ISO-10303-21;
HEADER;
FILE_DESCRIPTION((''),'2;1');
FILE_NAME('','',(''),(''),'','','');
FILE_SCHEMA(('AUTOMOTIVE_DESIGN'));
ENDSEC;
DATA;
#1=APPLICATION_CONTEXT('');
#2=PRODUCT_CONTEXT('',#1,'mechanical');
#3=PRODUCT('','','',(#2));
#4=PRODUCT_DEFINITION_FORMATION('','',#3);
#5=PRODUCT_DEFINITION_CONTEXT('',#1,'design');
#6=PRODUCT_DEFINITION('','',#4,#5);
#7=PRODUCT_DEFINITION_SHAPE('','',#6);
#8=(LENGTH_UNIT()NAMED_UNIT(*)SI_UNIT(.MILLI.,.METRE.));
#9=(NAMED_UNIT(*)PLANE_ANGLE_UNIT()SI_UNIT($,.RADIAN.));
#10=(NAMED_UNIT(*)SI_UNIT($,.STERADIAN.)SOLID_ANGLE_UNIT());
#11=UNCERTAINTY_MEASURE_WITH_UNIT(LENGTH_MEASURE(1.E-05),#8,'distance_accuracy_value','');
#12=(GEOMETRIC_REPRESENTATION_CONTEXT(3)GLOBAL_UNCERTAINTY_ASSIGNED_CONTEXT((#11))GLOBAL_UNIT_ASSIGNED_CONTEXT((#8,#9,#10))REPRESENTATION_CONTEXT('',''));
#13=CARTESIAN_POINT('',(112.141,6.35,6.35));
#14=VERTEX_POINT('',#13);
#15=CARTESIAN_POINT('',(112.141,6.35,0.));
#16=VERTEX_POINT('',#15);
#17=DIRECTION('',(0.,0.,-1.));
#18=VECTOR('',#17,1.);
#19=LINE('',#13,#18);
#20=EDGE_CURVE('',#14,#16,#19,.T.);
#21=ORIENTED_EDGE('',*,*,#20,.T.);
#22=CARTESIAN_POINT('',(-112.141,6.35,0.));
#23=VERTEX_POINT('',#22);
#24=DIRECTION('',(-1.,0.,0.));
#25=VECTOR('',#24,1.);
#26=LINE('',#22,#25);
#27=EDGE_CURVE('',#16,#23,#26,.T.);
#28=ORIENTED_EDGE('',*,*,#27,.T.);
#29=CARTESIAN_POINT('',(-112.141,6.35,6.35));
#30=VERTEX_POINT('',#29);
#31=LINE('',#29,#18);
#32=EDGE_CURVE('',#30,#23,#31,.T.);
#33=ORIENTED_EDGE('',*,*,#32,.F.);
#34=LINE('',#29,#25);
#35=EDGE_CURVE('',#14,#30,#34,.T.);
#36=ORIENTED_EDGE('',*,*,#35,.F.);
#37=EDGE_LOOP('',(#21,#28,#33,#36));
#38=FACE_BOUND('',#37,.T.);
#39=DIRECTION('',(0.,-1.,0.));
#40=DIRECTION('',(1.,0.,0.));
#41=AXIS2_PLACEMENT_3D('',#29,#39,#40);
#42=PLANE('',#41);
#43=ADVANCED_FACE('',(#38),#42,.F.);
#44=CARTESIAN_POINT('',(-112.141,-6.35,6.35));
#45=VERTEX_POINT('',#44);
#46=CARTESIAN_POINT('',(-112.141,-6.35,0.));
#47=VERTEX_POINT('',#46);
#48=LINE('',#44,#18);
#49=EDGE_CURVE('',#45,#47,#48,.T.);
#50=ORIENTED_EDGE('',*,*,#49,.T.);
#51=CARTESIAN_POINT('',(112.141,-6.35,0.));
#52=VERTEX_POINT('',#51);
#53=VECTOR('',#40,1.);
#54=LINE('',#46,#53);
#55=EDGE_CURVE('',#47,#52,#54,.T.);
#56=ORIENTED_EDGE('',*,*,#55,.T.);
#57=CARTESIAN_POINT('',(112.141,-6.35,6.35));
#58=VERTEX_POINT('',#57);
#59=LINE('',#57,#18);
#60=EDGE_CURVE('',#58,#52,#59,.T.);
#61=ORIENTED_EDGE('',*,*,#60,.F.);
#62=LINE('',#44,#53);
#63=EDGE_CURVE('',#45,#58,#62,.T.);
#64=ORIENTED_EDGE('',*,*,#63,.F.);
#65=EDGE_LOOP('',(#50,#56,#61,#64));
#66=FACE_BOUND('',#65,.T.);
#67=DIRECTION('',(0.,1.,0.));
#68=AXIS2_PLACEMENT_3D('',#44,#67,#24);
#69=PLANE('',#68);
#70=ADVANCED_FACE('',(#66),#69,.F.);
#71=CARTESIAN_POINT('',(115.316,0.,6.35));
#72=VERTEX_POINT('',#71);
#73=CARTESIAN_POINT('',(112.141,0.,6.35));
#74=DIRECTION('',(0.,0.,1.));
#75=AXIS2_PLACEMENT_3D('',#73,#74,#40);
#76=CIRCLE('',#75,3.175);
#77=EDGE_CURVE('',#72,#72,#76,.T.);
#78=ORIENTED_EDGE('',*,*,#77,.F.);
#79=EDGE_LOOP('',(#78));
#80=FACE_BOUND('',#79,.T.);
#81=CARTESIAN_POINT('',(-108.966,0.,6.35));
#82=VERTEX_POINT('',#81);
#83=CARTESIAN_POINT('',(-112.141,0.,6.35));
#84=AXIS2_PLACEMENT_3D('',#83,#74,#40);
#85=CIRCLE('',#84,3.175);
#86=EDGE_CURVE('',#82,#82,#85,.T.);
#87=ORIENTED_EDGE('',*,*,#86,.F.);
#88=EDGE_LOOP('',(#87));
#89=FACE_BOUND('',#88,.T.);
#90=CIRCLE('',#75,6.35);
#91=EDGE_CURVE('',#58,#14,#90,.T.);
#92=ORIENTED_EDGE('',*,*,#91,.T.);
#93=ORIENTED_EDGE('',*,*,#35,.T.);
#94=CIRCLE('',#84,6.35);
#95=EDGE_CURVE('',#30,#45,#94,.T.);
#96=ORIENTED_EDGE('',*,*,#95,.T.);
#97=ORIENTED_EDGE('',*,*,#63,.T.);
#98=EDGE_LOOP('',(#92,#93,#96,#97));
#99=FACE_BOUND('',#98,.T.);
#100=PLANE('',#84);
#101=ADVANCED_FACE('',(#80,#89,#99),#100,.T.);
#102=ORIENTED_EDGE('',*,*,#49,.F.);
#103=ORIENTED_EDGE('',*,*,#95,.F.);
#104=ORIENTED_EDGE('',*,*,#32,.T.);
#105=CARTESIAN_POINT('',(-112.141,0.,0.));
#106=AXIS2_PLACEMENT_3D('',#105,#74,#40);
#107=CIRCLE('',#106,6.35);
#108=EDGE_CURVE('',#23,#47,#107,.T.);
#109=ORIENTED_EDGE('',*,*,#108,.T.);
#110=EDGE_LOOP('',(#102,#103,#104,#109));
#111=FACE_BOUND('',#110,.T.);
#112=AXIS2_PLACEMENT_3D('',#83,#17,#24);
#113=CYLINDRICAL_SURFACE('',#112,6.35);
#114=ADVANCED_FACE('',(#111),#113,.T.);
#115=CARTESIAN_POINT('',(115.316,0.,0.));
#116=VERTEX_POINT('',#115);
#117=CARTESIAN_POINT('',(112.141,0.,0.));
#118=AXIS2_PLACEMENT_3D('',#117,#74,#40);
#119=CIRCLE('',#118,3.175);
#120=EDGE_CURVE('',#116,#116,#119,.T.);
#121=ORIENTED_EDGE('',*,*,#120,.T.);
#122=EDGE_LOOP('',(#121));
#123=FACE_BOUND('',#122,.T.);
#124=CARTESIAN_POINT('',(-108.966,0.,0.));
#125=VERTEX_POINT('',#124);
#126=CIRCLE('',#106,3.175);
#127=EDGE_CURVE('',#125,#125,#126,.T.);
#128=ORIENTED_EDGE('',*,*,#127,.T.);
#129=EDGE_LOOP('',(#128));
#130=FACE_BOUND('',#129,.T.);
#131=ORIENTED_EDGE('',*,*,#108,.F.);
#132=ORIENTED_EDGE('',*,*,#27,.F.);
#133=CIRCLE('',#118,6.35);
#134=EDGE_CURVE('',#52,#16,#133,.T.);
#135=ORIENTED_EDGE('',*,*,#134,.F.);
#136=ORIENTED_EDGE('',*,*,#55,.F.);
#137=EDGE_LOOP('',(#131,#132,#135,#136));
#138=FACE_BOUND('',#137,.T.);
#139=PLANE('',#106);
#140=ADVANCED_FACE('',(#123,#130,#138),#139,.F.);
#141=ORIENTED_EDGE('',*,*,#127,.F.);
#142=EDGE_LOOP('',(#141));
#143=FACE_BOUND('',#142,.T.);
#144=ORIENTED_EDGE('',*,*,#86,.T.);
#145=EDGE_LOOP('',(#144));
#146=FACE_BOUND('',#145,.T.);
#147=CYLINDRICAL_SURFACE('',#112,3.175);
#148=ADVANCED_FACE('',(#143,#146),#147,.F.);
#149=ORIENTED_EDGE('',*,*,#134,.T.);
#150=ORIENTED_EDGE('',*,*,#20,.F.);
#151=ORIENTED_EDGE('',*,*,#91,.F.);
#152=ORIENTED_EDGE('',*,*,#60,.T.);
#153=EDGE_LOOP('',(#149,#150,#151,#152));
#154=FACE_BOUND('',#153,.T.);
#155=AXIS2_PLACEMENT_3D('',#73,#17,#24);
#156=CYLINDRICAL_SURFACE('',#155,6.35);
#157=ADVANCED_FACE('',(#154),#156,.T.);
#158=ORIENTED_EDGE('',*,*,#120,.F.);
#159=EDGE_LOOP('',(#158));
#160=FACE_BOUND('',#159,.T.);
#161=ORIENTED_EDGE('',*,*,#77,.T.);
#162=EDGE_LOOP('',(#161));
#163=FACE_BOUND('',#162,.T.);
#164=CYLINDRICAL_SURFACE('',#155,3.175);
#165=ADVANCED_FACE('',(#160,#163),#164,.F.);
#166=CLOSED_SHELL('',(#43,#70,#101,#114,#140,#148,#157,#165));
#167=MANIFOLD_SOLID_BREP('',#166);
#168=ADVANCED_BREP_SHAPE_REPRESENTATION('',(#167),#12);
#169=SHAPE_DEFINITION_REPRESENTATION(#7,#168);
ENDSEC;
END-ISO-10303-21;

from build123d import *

# Parameters (mm, degrees)
SKETCH1_R           = 3.175
BOSS_EXTRUDE1_DEPTH = 6.35


with BuildPart() as part:
    # Sketch1 → Boss-Extrude1 (new body)
    with BuildSketch(Plane.XY):
        with BuildLine():
            Line((-112.141, 6.35), (112.141, 6.35))
            ThreePointArc((112.141, 6.35), (118.491, 0), (112.141, -6.35))
            Line((112.141, -6.35), (-112.141, -6.35))
            ThreePointArc((-112.141, -6.35), (-118.491, 0), (-112.141, 6.35))
        make_face()
        with Locations((-112.141, 0)):
            Circle(SKETCH1_R, mode=Mode.SUBTRACT)
        with Locations((112.141, 0)):
            Circle(SKETCH1_R, mode=Mode.SUBTRACT)
    extrude(amount=BOSS_EXTRUDE1_DEPTH)


solid = part.part
